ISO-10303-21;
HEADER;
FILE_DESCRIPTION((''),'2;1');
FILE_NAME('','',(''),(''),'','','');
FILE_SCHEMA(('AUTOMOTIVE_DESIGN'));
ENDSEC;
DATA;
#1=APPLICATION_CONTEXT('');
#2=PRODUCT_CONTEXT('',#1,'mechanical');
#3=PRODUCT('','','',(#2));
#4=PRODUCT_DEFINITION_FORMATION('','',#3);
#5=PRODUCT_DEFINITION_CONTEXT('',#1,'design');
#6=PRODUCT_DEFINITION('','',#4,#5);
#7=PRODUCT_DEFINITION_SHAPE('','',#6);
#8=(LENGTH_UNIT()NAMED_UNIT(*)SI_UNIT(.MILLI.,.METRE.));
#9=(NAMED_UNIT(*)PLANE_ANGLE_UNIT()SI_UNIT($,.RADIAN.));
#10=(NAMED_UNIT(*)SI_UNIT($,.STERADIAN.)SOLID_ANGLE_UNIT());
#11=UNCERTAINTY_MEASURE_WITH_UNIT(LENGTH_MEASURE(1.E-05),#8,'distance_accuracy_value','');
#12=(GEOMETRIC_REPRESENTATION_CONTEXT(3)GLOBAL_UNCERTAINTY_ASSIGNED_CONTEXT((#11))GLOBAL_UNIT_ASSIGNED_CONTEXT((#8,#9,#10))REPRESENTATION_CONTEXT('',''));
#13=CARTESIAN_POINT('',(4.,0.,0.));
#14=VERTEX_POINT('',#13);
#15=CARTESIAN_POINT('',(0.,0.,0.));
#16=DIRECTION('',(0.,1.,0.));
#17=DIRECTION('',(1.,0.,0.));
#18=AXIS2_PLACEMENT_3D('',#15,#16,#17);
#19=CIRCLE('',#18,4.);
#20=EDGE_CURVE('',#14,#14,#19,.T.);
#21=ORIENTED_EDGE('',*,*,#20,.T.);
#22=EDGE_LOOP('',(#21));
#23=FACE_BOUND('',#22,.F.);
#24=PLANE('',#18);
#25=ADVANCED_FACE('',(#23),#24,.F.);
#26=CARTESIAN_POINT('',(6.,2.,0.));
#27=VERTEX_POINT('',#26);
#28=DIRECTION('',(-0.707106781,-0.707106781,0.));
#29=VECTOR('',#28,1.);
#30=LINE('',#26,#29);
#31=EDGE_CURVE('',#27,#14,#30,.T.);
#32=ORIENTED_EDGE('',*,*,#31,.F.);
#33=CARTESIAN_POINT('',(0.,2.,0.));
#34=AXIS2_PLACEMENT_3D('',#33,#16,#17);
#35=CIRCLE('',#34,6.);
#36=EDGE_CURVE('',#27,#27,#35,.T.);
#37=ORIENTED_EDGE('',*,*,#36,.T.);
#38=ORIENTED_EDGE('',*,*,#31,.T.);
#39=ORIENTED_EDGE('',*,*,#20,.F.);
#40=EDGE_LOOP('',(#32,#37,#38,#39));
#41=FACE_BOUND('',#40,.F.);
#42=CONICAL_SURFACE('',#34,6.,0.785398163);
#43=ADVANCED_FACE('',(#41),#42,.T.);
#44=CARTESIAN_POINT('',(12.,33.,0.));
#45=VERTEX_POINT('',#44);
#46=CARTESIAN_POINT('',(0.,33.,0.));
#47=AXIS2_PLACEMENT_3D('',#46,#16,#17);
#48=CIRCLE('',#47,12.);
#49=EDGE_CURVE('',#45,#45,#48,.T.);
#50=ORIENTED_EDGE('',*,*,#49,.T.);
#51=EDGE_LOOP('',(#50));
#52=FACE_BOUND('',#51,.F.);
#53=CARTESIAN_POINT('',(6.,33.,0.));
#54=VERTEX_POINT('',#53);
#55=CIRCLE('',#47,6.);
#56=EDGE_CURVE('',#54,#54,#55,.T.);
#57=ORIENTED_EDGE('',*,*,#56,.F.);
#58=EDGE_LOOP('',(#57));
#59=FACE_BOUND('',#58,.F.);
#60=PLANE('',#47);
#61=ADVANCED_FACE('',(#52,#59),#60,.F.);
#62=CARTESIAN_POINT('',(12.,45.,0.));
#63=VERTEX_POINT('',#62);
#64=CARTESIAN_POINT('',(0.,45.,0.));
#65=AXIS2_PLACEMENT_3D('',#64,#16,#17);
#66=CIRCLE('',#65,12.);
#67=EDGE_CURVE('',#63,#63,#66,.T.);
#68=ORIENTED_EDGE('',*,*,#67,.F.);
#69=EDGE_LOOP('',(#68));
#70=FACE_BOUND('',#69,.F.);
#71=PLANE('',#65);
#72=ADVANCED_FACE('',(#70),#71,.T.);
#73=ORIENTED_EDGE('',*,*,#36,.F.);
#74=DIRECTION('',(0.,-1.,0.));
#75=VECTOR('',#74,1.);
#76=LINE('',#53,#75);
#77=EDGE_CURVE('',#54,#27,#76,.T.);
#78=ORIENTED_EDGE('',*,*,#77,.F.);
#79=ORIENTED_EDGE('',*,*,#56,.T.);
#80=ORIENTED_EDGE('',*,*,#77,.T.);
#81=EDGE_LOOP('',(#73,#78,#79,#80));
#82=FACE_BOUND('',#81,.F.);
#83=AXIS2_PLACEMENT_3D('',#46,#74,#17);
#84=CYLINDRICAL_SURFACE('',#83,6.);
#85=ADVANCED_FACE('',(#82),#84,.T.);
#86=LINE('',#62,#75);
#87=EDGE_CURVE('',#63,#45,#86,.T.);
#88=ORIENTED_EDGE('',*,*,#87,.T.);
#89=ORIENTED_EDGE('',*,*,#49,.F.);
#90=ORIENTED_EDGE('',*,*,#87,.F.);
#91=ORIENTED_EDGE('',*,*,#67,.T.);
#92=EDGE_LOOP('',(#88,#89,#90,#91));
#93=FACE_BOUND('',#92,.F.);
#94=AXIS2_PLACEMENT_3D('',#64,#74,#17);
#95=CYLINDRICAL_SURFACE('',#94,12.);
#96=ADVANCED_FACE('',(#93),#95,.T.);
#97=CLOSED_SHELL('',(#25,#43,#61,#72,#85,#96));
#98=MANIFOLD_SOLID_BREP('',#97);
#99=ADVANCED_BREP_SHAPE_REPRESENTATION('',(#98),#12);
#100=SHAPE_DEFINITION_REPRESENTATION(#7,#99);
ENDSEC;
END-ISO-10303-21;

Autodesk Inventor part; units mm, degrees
ref_plane "YZ Plane" through (0, 0, 0) normal (1, 0, 0) x (0, 1, 0)
ref_plane "XZ Plane" through (0, 0, 0) normal (0, 1, 0) x (-1, 0, 0)
ref_plane "XY Plane" through (0, 0, 0) normal (0, 0, 1) x (1, 0, 0)
sketch "Sketch2" plane through (0, 0, 0) normal (0, 0, 1) x (1, 0, 0)
  line L0 (0, 0) -> (0, 45)
  line L1 (0, 45) -> (12, 45)
  line L2 (12, 45) -> (12, 33)
  line L3 (12, 33) -> (6, 33)
  line L4 (6, 33) -> (6, 0)
  line L5 (6, 0) -> (0, 0)
  dimension "d3" = 45
  dimension "d6" = 12
  dimension "d7" = 12
  dimension "d8" = 6
revolve "Revolution1" add sketch "Sketch2" angle 360 about axis through (0, 0, 0) along (0, 1, 0)
chamfer "Chamfer1" distance 2 angle 45 1 edges at (-6, 0, 0)
thread "Thread1" size "M12x1.75" class "6g" standard "ANSI Metric M Profile" full length
properties part number "bolt M12x45"
